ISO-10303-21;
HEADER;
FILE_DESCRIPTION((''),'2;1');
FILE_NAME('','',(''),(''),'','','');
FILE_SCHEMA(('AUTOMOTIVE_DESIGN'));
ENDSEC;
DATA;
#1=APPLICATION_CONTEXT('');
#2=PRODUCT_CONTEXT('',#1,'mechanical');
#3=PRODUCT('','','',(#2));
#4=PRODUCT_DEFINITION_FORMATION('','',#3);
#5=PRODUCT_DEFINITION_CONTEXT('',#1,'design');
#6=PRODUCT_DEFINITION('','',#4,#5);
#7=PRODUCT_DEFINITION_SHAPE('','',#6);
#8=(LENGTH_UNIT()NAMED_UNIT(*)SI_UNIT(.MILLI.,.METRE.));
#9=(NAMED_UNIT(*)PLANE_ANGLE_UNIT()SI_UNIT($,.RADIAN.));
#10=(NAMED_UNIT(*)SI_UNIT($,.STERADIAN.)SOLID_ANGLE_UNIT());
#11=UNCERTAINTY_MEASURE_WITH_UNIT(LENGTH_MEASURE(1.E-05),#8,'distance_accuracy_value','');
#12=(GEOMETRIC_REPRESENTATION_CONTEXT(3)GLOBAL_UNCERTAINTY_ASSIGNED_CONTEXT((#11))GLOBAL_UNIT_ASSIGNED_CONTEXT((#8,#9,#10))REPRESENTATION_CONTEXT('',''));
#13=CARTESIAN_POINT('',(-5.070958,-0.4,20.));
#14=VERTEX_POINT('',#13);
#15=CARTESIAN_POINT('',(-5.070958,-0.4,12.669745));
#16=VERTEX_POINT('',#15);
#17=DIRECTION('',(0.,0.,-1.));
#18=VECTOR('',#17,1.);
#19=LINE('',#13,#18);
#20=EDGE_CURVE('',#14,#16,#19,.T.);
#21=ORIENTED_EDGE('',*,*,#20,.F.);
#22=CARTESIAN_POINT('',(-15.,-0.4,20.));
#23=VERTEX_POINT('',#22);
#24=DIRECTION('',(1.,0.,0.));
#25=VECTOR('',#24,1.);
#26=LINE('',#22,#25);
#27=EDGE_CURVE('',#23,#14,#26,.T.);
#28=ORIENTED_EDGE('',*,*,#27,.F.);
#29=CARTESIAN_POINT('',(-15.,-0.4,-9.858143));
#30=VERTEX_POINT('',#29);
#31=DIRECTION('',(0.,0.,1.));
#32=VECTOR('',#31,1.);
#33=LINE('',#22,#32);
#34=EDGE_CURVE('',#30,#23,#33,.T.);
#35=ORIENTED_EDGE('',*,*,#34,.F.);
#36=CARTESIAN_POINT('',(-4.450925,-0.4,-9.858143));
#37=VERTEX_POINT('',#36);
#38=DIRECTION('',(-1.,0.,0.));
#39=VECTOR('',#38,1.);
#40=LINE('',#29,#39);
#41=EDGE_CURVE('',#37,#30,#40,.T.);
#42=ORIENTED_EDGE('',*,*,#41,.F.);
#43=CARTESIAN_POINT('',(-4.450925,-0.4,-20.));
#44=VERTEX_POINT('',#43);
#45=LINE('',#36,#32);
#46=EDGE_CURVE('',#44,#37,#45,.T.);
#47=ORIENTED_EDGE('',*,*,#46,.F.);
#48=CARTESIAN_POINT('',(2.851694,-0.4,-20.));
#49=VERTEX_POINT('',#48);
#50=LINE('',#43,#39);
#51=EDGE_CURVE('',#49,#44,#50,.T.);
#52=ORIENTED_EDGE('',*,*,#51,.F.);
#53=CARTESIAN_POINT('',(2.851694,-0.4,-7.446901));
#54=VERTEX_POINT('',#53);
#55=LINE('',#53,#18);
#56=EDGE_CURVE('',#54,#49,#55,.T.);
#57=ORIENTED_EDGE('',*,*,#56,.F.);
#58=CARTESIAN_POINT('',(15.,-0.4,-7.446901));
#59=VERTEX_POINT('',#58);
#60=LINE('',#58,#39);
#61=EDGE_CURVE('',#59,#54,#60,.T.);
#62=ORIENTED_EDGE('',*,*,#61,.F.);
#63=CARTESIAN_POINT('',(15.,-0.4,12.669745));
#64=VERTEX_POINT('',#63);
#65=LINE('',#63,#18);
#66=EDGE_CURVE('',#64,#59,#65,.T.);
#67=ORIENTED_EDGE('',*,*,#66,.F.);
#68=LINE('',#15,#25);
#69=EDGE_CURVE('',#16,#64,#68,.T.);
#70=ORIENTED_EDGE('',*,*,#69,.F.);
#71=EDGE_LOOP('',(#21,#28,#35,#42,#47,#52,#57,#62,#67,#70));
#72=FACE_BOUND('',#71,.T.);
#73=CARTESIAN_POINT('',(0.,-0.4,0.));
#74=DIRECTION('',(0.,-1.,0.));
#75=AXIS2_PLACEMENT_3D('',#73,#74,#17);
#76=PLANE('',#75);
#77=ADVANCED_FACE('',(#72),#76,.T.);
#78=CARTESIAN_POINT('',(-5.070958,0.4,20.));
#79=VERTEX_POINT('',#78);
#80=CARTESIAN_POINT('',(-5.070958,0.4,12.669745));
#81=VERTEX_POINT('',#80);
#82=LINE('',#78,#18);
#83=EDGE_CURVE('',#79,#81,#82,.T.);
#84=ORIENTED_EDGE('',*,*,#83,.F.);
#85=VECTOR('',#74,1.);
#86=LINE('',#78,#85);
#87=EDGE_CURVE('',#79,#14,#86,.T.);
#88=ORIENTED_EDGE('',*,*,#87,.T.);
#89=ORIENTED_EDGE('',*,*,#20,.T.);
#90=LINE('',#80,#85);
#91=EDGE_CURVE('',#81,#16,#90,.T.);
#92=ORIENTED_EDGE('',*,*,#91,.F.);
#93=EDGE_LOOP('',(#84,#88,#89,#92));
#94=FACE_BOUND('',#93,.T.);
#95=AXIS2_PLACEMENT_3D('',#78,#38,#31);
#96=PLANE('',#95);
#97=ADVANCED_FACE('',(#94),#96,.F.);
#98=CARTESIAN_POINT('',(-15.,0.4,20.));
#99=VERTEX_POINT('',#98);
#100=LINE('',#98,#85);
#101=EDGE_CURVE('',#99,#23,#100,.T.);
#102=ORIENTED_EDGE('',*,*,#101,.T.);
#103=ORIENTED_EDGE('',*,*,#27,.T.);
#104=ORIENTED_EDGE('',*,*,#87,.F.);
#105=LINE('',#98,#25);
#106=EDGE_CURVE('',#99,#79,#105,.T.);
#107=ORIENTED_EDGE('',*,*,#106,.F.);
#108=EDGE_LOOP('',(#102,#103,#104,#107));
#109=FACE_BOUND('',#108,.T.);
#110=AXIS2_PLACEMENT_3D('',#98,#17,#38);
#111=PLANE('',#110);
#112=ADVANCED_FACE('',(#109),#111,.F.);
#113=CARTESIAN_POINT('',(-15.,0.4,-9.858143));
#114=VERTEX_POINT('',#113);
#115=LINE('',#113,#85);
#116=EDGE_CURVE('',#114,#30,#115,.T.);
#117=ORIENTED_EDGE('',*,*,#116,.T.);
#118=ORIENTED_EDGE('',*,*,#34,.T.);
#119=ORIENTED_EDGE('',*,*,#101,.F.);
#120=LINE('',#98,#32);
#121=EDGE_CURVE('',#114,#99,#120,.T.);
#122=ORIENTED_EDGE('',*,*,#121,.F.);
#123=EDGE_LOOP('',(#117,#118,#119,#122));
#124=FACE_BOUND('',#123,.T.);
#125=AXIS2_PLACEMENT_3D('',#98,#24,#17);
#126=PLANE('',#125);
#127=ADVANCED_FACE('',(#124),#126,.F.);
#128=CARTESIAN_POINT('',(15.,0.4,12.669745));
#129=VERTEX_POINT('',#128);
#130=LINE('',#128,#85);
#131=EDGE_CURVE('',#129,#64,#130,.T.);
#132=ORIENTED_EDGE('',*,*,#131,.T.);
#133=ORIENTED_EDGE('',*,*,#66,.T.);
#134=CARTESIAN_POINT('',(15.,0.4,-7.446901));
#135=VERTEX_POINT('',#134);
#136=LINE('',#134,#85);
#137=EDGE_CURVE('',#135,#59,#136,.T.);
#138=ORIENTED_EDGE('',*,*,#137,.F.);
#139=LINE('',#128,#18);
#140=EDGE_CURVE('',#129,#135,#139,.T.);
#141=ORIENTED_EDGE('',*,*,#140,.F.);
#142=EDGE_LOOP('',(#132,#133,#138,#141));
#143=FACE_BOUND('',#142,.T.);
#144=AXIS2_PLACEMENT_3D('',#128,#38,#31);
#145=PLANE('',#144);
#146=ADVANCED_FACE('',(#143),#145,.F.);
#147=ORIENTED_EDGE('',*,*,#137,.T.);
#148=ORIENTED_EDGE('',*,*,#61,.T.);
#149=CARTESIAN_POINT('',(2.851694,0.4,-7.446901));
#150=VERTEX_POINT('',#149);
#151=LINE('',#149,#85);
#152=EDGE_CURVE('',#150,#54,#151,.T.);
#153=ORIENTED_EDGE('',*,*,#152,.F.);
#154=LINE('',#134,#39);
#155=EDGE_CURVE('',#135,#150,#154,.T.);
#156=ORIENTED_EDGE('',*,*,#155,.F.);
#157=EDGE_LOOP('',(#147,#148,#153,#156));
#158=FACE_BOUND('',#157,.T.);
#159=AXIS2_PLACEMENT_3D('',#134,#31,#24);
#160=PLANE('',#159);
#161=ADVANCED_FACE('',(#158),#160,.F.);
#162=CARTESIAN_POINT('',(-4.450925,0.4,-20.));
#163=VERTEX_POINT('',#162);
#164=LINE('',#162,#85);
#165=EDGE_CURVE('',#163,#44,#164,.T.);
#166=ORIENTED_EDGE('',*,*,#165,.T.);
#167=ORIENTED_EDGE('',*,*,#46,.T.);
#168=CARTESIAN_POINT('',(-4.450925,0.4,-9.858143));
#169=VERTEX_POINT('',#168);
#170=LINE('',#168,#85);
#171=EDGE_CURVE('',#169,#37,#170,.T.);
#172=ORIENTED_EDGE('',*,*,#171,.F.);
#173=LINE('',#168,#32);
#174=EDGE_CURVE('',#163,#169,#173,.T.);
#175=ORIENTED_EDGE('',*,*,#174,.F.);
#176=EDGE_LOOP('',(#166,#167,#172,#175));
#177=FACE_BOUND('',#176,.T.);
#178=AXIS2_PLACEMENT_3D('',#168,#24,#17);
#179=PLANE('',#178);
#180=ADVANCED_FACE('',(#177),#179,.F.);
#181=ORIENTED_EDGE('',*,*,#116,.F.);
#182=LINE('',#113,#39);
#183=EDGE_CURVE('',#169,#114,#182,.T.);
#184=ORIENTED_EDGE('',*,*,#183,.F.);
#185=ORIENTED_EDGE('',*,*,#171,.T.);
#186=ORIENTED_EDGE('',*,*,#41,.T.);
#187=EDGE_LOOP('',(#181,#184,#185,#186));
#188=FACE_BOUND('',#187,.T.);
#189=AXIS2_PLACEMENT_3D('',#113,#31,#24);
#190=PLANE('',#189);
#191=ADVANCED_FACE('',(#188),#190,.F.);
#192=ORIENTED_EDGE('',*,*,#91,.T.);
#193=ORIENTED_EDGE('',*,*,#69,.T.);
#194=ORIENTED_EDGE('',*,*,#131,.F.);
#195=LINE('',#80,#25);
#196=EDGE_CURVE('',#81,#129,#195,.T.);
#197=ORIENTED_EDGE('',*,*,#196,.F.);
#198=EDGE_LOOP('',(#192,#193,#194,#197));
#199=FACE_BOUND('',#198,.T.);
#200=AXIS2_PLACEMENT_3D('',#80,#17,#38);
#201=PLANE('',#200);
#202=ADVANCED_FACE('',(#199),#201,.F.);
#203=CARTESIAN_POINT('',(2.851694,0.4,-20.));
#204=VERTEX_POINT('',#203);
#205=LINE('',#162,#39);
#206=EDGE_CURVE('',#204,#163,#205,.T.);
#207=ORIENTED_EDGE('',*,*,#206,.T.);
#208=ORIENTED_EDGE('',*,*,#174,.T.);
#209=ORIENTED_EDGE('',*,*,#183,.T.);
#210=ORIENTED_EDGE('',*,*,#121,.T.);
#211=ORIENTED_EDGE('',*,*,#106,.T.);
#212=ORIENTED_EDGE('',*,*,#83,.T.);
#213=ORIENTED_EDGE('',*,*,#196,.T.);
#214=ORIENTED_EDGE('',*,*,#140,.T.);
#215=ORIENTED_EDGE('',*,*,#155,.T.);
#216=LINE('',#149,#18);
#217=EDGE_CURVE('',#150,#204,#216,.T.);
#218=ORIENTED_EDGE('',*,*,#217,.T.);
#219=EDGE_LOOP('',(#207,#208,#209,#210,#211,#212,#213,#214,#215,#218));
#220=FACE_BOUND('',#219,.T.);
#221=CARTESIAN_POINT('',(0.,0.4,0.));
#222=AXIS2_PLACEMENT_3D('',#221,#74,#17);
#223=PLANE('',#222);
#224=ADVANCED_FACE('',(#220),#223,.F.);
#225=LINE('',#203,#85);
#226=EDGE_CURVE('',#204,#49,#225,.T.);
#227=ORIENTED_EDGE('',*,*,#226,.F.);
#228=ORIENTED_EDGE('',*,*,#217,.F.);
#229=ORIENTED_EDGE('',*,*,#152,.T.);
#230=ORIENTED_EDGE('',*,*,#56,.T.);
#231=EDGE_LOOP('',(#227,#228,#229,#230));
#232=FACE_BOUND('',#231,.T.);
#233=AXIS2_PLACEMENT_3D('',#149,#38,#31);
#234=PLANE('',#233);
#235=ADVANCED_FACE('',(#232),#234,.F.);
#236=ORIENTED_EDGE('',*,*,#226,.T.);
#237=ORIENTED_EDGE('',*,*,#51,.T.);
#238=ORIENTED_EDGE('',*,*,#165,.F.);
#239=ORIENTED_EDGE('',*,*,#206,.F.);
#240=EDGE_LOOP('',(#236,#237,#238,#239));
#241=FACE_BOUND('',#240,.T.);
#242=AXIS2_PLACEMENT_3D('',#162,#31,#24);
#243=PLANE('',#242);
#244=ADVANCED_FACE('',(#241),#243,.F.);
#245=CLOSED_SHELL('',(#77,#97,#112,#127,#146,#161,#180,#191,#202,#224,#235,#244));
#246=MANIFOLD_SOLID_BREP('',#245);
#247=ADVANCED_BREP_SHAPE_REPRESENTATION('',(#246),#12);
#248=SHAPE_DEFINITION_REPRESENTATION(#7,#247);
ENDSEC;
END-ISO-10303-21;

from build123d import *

# Parameters (mm, degrees)
BOSS_EXTRU_1_DEPTH = 0.4


with BuildPart() as part:
    # Esquisse1 → Boss.-Extru.1 (new body, symmetric)
    with BuildSketch(Plane(origin=(0, 0, 0), x_dir=(1, 0, 0), z_dir=(0, 1, 0))):
        Polygon((-15, -20), (-5.070958152, -20), (-5.070958152, -12.669744809), (15, -12.669744809), (15, 7.44690143), (2.85169362, 7.44690143), (2.85169362, 20), (-4.450924535, 20), (-4.450924535, 9.858143274), (-15, 9.858143274), align=None)
    extrude(amount=BOSS_EXTRU_1_DEPTH, both=True)


solid = part.part
